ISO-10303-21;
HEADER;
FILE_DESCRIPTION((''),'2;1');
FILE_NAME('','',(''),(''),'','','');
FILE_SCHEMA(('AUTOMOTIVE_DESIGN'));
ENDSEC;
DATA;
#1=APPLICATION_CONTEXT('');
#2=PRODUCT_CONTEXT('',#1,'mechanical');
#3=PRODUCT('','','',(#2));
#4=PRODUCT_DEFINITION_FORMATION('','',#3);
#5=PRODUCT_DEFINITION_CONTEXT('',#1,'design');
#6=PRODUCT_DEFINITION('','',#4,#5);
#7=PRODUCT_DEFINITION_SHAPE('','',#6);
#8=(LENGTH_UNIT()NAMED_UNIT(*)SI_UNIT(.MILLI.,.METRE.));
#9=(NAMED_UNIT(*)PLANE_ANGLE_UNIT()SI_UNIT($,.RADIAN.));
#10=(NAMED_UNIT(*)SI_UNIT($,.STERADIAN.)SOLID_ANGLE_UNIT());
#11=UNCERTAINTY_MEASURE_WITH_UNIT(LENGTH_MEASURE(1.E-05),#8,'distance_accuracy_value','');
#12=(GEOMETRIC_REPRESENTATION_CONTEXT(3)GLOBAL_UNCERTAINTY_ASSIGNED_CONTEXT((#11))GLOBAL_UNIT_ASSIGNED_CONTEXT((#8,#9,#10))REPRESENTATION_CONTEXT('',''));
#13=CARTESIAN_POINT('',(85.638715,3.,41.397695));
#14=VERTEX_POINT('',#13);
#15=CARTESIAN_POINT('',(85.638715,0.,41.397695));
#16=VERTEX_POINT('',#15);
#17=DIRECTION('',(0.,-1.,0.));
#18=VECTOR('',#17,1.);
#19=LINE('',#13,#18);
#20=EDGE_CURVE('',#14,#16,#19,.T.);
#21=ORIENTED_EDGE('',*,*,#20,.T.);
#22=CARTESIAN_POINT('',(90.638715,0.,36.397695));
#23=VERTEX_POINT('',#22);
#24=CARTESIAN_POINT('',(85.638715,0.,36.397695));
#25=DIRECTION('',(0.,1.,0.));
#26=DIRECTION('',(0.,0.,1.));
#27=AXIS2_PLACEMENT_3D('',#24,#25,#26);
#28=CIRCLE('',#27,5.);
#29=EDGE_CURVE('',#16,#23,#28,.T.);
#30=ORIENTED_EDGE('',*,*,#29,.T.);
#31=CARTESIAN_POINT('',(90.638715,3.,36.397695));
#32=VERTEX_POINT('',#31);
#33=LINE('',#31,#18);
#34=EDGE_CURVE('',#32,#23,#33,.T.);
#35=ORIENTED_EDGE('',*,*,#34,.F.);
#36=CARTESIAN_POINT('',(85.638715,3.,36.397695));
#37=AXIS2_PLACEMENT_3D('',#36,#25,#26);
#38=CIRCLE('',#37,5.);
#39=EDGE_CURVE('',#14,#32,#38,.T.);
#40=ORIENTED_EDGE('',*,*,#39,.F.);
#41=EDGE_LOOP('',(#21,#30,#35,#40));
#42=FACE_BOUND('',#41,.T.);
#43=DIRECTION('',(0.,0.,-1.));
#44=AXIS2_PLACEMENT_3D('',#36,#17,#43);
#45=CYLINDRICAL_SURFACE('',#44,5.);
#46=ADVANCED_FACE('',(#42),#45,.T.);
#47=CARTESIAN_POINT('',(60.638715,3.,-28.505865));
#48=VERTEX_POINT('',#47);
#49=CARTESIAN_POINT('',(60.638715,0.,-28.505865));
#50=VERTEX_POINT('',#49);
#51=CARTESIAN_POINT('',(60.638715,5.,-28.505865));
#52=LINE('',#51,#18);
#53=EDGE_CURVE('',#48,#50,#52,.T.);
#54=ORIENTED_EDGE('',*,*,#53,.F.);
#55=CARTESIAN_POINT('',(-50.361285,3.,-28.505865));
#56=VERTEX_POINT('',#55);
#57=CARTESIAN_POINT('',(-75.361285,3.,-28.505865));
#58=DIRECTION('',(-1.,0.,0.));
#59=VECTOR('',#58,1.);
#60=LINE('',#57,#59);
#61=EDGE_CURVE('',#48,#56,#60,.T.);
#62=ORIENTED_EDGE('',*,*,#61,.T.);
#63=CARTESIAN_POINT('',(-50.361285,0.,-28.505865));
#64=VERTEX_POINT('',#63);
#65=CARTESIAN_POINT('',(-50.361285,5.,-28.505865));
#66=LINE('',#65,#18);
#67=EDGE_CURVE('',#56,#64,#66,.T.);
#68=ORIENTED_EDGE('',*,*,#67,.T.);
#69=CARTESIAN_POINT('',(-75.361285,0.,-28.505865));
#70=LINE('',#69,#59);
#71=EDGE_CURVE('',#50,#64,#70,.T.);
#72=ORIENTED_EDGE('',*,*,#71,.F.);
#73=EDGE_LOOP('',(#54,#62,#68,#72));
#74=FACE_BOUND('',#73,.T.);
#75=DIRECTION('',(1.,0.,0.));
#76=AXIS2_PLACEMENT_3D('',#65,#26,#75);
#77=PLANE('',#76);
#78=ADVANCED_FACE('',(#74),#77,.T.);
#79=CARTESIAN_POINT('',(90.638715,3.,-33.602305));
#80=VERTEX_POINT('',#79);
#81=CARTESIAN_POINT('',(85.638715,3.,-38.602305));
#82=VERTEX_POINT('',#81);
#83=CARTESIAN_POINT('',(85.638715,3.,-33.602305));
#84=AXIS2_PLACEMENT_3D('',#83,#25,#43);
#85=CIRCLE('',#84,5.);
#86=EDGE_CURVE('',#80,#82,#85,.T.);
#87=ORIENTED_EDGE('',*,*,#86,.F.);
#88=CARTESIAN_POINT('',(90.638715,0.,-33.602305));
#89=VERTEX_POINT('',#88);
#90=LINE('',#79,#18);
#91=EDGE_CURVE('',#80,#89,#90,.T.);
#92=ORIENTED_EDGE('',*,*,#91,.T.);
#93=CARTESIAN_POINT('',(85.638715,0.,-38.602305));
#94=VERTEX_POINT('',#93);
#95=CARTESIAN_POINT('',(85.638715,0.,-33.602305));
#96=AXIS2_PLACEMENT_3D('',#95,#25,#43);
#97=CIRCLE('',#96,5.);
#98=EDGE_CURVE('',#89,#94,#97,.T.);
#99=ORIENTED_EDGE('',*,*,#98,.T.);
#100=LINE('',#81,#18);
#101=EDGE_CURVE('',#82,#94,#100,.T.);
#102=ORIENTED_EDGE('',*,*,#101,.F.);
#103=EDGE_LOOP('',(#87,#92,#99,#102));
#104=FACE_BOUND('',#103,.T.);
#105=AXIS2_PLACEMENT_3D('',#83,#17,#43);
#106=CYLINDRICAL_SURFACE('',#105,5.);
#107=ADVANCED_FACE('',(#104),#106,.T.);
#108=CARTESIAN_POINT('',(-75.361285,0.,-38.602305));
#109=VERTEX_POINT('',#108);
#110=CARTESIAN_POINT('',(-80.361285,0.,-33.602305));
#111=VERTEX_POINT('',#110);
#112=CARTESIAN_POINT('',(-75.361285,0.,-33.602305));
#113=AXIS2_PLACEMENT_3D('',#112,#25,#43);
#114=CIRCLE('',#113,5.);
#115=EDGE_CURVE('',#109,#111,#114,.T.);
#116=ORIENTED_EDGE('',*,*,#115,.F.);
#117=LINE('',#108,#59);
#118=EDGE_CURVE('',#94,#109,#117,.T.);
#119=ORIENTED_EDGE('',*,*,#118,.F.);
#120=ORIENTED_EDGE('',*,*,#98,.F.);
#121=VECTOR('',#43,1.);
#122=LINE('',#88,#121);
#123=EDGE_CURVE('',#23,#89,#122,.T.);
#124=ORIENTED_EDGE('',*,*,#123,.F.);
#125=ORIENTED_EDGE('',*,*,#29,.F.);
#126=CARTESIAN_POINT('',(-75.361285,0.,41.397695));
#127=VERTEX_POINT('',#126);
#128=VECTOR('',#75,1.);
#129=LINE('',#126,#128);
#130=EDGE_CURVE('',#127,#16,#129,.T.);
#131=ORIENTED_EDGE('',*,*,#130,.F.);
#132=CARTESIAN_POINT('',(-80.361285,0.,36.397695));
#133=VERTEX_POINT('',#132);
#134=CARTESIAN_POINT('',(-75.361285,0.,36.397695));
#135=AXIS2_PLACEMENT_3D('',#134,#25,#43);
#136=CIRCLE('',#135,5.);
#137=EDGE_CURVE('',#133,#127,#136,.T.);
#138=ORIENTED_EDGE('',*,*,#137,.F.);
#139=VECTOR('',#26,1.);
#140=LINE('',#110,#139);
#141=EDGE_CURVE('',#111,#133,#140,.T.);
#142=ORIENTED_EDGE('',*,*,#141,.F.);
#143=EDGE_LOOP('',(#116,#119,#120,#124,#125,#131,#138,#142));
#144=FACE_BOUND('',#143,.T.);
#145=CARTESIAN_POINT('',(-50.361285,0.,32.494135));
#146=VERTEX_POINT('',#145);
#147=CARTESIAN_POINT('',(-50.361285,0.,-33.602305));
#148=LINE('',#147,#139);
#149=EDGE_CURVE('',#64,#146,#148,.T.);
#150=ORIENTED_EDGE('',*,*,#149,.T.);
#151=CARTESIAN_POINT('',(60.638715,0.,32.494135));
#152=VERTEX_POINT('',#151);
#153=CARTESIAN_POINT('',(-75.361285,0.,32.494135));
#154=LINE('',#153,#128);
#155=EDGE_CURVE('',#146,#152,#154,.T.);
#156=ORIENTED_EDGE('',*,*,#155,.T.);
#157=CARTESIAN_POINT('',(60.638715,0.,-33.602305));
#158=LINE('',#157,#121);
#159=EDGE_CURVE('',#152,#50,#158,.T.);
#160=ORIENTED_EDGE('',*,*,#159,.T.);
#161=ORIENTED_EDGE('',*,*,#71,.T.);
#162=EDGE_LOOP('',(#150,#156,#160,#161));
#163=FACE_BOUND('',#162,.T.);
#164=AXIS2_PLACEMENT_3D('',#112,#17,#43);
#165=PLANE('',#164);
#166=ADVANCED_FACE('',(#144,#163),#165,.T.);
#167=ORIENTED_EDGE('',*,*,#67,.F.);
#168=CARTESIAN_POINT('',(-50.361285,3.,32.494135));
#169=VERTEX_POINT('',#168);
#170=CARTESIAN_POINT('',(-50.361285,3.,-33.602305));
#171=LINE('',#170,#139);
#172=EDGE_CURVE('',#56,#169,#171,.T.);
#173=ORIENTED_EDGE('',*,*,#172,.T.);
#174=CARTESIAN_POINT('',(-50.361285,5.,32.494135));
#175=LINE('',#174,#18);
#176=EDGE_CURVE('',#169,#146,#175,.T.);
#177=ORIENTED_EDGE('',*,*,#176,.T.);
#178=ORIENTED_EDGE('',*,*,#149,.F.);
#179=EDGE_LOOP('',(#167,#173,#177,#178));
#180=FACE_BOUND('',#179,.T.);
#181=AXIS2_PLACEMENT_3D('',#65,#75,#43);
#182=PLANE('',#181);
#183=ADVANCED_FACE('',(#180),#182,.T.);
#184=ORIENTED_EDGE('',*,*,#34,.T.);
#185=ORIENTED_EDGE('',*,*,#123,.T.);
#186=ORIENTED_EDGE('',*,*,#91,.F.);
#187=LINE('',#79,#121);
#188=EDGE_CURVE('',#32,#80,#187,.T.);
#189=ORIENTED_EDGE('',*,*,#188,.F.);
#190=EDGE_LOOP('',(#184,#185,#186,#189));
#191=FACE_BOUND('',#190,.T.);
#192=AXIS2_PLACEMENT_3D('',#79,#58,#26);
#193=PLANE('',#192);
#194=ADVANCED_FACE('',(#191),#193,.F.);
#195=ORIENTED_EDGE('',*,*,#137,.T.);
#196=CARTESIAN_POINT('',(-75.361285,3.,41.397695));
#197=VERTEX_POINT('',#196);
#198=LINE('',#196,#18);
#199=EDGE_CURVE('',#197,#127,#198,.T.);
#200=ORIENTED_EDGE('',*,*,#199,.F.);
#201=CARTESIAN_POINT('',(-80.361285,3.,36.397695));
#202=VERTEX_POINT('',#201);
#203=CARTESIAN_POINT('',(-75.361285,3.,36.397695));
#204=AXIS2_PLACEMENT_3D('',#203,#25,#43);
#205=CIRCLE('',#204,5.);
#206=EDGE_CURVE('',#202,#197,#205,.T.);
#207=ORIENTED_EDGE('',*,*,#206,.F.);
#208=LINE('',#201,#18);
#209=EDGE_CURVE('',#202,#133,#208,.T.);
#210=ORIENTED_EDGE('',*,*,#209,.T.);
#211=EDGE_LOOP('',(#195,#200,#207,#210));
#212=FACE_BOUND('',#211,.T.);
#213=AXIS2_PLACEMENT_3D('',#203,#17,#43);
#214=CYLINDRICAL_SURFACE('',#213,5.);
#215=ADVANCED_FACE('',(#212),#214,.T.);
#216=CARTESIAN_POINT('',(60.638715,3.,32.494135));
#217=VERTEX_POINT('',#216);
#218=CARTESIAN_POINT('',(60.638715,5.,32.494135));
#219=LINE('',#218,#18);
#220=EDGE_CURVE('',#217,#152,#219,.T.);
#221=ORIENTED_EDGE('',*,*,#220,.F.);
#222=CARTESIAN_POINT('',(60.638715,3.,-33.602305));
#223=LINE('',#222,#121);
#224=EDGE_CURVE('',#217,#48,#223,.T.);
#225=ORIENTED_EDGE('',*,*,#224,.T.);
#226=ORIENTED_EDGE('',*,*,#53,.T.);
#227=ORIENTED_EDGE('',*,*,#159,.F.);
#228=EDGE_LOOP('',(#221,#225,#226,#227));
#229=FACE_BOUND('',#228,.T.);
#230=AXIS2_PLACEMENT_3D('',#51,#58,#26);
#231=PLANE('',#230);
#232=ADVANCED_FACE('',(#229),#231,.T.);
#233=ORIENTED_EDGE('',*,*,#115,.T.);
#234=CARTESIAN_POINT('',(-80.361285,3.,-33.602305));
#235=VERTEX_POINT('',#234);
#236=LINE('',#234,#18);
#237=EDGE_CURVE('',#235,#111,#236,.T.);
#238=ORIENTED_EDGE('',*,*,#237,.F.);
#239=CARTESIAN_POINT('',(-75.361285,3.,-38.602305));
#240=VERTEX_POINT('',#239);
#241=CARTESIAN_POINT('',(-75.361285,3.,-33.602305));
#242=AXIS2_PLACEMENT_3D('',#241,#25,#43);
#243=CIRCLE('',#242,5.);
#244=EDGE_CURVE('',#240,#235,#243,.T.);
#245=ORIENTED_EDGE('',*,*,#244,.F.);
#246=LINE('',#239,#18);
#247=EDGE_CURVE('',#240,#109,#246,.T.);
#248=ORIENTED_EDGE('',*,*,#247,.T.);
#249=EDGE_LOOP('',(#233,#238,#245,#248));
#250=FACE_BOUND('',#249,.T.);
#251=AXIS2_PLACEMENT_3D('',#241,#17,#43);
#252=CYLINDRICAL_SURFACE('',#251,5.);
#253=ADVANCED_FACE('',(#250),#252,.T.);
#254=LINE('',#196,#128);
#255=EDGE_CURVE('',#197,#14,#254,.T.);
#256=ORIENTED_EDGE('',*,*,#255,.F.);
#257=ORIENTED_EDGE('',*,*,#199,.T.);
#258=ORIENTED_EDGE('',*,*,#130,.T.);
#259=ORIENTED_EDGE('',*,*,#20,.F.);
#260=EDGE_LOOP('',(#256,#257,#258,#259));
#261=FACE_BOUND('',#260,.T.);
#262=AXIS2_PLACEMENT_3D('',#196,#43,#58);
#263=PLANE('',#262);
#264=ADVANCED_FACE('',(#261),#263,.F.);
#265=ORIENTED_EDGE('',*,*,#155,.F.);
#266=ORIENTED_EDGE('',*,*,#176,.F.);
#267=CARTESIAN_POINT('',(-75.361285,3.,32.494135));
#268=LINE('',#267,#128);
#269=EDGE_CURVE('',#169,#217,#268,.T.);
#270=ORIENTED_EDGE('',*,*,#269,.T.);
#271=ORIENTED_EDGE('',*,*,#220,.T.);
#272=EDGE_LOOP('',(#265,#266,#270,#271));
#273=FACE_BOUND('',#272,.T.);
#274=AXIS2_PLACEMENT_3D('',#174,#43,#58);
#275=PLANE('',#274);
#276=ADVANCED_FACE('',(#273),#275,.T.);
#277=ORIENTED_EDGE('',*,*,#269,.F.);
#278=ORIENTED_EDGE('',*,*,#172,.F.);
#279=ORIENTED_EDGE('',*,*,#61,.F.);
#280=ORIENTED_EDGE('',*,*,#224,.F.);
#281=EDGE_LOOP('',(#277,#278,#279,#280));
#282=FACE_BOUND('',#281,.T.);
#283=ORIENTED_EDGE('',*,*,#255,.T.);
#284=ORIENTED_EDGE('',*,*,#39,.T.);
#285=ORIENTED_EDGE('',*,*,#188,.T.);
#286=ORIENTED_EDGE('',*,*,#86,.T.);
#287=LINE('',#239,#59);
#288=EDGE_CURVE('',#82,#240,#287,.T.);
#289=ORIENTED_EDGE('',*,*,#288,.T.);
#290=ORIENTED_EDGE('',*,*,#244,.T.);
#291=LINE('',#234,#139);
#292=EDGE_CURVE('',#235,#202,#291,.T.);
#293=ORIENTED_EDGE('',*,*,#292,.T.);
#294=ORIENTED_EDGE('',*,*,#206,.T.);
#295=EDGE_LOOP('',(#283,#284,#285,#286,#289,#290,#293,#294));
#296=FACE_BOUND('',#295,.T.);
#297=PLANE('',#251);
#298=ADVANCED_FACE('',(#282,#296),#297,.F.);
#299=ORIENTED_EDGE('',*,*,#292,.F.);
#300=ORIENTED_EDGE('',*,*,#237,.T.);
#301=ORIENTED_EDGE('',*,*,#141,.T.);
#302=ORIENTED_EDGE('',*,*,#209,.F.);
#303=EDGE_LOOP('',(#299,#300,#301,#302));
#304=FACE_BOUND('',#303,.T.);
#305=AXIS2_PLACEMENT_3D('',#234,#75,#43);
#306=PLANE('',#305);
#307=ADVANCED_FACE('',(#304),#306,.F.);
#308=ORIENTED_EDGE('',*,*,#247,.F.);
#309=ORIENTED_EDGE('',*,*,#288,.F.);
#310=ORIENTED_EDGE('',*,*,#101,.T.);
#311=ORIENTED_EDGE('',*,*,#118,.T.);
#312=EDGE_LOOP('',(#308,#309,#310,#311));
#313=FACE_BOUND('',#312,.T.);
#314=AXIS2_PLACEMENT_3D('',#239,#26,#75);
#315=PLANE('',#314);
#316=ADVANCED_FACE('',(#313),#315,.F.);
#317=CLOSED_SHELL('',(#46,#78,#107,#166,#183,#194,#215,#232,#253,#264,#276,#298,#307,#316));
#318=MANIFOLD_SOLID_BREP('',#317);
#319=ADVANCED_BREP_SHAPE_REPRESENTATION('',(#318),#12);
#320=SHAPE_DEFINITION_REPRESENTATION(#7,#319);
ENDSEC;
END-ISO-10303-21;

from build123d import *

# Parameters (mm, degrees)
BOSS_EXTRUDE1_DEPTH     = 3
CUT_EXTRUDE1_DEPTH      = 5
CUT_EXTRUDE1_DEPTH_BACK = 3
SKETCH2_W               = 111
SKETCH2_H               = 61


with BuildPart() as part:
    # Sketch1 → Boss-Extrude1 (new body)
    with BuildSketch(Plane(origin=(0, 0, 0), x_dir=(1, 0, 0), z_dir=(0, 1, 0))):
        with BuildLine():
            Line((-75.361284995, 38.602305476), (85.638715005, 38.602305476))
            ThreePointArc((85.638715005, 38.602305476), (89.174248911, 37.137839381), (90.638715005, 33.602305476))
            Line((90.638715005, 33.602305476), (90.638715005, -36.397694524))
            ThreePointArc((90.638715005, -36.397694524), (89.174248911, -39.93322843), (85.638715005, -41.397694524))
            Line((85.638715005, -41.397694524), (-75.361284995, -41.397694524))
            ThreePointArc((-75.361284995, -41.397694524), (-78.896818901, -39.93322843), (-80.361284995, -36.397694524))
            Line((-80.361284995, -36.397694524), (-80.361284995, 33.602305476))
            ThreePointArc((-80.361284995, 33.602305476), (-78.896818901, 37.137839381), (-75.361284995, 38.602305476))
        make_face()
    extrude(amount=BOSS_EXTRUDE1_DEPTH)

    # Sketch2 → Cut-Extrude1 (cut, two sides: drawn at the far end of the back side and taken through both)
    with BuildSketch(Plane(origin=(0, 0, 0), x_dir=(1, 0, 0), z_dir=(0, 1, 0)).offset(-CUT_EXTRUDE1_DEPTH_BACK)):
        with Locations((5.138715005, -1.994135041)):
            Rectangle(SKETCH2_W, SKETCH2_H)
    extrude(amount=CUT_EXTRUDE1_DEPTH + CUT_EXTRUDE1_DEPTH_BACK, mode=Mode.SUBTRACT)


solid = part.part
